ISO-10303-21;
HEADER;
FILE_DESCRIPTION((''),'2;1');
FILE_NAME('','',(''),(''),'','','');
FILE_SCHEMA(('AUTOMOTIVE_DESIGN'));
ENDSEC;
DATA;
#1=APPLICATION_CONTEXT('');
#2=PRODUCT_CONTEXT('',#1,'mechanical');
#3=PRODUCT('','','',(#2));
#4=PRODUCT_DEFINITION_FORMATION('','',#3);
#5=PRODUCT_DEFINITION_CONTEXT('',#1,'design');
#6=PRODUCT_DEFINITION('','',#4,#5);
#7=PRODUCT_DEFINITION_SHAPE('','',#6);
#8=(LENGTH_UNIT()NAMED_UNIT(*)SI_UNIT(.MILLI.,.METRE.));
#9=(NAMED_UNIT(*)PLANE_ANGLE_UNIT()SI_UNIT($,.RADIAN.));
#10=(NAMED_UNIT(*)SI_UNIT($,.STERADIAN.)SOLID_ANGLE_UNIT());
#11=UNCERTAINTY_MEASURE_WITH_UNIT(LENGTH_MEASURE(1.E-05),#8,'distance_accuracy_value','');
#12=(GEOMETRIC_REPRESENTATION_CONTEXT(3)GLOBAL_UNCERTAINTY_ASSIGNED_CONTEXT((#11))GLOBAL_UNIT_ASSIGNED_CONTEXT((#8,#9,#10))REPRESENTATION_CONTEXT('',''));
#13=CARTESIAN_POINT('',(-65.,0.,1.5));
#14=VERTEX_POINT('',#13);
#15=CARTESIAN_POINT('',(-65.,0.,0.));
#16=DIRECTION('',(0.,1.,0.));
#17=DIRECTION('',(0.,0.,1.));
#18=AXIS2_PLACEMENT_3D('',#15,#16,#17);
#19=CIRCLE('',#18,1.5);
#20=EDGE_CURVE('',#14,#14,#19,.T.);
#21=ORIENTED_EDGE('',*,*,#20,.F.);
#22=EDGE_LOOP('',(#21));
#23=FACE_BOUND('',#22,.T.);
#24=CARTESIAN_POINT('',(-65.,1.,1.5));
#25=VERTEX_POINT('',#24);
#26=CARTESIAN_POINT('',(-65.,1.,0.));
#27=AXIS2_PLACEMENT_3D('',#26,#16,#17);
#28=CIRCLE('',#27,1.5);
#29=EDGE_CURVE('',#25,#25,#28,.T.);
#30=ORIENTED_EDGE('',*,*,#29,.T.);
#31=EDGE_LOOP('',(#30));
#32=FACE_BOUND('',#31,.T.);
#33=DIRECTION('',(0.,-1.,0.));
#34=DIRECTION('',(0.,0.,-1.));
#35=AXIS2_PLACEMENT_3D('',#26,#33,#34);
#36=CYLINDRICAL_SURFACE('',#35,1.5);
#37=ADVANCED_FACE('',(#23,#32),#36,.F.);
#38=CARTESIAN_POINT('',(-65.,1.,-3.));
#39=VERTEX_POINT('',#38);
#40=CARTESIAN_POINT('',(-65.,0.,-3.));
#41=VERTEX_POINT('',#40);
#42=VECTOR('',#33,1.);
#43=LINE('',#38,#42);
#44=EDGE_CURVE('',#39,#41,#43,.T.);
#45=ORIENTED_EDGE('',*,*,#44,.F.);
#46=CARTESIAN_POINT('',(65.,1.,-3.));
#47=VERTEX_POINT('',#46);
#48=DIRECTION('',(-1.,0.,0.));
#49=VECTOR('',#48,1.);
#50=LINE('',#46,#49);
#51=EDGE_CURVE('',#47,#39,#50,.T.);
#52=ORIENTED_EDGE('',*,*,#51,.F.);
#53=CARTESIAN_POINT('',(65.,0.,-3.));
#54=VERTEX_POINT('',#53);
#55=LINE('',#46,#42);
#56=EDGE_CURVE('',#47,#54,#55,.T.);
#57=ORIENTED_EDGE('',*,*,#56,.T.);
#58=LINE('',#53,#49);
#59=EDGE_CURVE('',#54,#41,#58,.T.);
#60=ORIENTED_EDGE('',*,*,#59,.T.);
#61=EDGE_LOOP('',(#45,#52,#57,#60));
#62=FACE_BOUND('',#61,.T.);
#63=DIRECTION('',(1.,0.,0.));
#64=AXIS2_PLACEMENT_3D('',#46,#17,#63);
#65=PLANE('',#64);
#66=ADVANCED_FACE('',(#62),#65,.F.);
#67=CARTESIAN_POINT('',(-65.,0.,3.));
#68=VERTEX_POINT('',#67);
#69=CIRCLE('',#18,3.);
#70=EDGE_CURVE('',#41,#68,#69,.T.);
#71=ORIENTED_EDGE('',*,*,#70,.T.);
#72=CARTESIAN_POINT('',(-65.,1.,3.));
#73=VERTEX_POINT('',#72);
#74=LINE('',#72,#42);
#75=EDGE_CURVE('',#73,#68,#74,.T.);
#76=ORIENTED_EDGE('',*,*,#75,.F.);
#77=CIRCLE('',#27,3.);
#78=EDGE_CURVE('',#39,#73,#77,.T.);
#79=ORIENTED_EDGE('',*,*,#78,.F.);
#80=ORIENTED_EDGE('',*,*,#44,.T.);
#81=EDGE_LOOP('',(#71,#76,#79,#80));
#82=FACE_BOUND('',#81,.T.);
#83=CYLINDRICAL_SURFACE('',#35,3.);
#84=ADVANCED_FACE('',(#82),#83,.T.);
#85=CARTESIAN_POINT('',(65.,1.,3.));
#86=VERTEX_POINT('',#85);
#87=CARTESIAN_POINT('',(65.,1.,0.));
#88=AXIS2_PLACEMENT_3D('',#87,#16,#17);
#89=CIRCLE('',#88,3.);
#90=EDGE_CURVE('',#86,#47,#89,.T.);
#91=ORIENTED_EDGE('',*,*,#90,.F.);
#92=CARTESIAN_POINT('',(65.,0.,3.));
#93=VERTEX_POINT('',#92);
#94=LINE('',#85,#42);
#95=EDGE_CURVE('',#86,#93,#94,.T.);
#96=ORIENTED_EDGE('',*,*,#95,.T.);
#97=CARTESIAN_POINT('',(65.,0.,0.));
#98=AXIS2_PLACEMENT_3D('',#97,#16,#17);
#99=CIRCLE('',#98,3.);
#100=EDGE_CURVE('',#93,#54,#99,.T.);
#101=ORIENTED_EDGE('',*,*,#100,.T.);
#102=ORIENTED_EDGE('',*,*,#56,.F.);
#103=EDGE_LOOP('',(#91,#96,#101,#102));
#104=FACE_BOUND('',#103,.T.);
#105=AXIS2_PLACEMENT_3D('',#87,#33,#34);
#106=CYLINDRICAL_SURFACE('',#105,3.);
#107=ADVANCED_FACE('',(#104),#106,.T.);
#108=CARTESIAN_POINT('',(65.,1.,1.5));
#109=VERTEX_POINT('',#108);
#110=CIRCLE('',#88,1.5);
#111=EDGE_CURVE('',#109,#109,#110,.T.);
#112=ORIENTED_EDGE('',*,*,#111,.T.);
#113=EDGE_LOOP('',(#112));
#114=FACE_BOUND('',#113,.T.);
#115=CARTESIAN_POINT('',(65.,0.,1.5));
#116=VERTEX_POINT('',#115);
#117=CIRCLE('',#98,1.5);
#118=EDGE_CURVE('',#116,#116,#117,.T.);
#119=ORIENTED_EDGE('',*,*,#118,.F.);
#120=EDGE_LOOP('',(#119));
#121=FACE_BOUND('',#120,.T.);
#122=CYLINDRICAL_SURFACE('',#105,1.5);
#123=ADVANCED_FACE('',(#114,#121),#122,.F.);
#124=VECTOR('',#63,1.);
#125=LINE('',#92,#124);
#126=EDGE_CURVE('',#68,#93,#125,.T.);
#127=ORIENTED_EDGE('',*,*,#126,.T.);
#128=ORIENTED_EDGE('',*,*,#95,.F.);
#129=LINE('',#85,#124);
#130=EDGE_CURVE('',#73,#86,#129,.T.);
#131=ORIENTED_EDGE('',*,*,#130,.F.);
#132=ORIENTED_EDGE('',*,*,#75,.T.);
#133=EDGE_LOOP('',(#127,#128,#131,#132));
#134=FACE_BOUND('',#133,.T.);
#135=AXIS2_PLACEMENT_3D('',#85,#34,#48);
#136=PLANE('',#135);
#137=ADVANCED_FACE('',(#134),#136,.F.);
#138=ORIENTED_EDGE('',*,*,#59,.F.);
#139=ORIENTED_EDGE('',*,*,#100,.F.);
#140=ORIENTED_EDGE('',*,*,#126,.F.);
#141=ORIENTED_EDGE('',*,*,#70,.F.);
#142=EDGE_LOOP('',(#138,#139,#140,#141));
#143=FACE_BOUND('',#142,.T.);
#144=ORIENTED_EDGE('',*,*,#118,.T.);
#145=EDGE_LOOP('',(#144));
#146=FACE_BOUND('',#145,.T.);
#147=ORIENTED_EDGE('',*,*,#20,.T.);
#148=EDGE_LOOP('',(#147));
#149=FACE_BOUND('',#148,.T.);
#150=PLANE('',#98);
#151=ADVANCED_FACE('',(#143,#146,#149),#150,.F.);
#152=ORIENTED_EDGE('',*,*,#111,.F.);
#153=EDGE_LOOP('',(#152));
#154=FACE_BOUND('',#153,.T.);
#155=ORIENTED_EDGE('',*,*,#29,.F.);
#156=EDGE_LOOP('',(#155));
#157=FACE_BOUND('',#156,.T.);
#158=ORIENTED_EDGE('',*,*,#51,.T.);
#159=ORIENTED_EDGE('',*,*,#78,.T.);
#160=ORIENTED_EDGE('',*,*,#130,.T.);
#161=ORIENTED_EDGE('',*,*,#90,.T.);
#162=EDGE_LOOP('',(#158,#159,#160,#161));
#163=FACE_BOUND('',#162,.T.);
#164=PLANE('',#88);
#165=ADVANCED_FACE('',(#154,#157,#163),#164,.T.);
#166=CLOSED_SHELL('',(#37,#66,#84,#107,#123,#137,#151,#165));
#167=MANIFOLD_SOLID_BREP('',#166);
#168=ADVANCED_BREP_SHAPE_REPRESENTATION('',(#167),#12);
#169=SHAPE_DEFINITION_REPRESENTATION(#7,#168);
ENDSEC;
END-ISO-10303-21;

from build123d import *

# Parameters (mm, degrees)
SKETCH1_R           = 1.5
BOSS_EXTRUDE1_DEPTH = 1


with BuildPart() as part:
    # Sketch1 → Boss-Extrude1 (new body)
    with BuildSketch(Plane(origin=(0, 0, 0), x_dir=(1, 0, 0), z_dir=(0, 1, 0))):
        with BuildLine():
            Line((65, -3), (-65, -3))
            ThreePointArc((-65, -3), (-68, 0), (-65, 3))
            Line((-65, 3), (65, 3))
            ThreePointArc((65, 3), (68, 0), (65, -3))
        make_face()
        with Locations((-65, 0)):
            Circle(SKETCH1_R, mode=Mode.SUBTRACT)
        with Locations((65, 0)):
            Circle(SKETCH1_R, mode=Mode.SUBTRACT)
    extrude(amount=BOSS_EXTRUDE1_DEPTH)


solid = part.part
